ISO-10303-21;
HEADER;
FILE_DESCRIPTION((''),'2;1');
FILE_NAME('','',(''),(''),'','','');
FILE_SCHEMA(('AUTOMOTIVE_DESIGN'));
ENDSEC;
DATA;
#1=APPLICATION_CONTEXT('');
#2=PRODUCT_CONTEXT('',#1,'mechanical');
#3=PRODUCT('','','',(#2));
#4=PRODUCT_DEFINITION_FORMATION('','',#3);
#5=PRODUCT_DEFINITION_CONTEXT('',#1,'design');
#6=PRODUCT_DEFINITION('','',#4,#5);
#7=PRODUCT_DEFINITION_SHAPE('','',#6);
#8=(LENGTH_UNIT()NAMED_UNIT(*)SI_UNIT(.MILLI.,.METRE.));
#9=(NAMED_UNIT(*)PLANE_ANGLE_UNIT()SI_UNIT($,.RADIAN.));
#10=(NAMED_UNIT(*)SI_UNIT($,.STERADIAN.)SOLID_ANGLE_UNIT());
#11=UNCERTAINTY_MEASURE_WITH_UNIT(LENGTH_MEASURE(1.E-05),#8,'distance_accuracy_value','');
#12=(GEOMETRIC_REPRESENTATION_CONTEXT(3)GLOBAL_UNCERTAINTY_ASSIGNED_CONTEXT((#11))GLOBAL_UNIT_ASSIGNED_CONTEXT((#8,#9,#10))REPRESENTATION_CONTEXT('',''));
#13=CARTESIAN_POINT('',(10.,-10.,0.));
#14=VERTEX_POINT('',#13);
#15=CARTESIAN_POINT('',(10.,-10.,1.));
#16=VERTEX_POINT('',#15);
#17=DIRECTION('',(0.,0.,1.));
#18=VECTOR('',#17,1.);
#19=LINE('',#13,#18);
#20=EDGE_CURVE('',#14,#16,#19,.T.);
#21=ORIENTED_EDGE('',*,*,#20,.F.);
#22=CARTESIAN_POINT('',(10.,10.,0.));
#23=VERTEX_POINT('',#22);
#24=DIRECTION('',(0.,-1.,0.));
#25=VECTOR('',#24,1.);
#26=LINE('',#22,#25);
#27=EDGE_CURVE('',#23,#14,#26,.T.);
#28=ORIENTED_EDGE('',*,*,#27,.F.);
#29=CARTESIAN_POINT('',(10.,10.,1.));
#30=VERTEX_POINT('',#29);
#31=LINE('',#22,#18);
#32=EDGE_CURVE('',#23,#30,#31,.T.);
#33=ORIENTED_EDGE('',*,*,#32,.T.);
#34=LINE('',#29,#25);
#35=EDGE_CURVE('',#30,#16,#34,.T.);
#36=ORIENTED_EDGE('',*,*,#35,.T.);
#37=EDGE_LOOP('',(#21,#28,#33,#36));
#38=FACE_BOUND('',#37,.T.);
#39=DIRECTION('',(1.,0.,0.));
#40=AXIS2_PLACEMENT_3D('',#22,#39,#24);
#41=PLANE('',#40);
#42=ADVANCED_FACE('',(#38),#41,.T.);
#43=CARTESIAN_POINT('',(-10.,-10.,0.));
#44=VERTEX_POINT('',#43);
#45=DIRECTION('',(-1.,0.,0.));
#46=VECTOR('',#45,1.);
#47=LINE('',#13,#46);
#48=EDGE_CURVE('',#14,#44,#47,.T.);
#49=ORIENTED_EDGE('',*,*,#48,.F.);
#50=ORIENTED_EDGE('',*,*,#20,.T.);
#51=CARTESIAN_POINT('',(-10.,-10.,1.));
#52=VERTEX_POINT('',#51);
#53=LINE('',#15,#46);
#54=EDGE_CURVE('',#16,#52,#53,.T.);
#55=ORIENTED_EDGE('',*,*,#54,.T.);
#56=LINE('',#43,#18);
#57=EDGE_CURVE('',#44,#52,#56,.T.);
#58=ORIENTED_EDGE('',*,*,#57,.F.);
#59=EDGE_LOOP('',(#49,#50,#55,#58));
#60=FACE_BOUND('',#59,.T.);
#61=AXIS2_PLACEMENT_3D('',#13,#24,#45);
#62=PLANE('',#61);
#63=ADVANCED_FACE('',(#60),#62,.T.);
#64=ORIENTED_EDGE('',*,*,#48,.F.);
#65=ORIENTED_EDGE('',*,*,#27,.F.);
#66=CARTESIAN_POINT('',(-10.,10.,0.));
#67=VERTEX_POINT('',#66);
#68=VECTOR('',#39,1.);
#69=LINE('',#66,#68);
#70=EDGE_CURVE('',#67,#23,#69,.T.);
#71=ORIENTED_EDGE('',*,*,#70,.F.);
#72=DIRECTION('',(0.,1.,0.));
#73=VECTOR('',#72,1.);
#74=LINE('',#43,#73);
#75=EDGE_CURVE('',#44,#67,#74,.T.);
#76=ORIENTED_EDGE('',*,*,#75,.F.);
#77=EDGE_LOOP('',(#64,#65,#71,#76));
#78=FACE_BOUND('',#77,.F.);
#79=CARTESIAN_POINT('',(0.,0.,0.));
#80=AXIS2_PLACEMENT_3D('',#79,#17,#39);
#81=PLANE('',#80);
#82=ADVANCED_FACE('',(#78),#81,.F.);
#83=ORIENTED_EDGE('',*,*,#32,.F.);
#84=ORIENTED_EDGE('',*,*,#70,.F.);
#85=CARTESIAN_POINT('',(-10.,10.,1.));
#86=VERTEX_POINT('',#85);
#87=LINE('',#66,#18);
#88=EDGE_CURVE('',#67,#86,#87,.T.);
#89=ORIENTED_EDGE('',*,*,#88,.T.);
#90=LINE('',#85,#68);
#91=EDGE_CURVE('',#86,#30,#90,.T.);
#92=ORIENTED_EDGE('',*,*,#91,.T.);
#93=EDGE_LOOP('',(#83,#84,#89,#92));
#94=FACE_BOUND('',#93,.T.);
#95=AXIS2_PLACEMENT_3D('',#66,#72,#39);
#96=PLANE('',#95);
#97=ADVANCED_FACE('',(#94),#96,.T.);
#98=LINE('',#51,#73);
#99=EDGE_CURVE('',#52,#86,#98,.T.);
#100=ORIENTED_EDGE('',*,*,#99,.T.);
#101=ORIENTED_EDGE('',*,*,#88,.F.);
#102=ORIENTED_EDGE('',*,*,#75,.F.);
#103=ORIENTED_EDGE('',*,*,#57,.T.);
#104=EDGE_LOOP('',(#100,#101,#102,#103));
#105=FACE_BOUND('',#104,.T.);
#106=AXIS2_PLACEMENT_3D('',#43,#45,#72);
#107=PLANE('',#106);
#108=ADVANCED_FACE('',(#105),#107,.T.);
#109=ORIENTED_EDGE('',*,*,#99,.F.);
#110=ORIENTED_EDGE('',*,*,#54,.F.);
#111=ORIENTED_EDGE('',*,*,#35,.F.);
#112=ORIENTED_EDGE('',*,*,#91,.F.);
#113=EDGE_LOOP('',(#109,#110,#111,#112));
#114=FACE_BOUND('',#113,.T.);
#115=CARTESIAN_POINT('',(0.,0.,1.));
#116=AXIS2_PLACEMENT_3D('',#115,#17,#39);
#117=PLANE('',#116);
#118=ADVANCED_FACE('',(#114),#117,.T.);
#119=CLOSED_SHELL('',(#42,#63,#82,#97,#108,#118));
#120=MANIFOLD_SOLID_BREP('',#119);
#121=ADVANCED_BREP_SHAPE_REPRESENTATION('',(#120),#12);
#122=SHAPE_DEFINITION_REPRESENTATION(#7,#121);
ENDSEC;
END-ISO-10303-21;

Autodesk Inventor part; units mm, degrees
ref_plane "YZ Plane" through (0, 0, 0) normal (1, 0, 0) x (0, 1, 0)
ref_plane "XZ Plane" through (0, 0, 0) normal (0, 1, 0) x (-1, 0, 0)
sketch "スケッチ1" plane through (0, 0, 0) normal (0, 0, 1) x (1, 0, 0)
  point P0 (0, 0)
sketch "スケッチ2" plane through (0, 0, 0) normal (0, 0, 1) x (1, 0, 0)
  line L0 (-10, 10) -> (10, 10)
  line L1 (10, 10) -> (10, -10)
  line L2 (10, -10) -> (-10, -10)
  line L3 (-10, -10) -> (-10, 10)
  line L4 (-10, 10) -> (10, -10) construction
  line L5 (10, 10) -> (-10, -10) construction
  point P0 (0, 0)
  dimension "d0" = 20
  dimension "d1" = 20
extrude "押し出し1" add sketch "スケッチ2" along normal blind 1
equation "\"d1\" = d0"
properties part number "photon_sample_square"
